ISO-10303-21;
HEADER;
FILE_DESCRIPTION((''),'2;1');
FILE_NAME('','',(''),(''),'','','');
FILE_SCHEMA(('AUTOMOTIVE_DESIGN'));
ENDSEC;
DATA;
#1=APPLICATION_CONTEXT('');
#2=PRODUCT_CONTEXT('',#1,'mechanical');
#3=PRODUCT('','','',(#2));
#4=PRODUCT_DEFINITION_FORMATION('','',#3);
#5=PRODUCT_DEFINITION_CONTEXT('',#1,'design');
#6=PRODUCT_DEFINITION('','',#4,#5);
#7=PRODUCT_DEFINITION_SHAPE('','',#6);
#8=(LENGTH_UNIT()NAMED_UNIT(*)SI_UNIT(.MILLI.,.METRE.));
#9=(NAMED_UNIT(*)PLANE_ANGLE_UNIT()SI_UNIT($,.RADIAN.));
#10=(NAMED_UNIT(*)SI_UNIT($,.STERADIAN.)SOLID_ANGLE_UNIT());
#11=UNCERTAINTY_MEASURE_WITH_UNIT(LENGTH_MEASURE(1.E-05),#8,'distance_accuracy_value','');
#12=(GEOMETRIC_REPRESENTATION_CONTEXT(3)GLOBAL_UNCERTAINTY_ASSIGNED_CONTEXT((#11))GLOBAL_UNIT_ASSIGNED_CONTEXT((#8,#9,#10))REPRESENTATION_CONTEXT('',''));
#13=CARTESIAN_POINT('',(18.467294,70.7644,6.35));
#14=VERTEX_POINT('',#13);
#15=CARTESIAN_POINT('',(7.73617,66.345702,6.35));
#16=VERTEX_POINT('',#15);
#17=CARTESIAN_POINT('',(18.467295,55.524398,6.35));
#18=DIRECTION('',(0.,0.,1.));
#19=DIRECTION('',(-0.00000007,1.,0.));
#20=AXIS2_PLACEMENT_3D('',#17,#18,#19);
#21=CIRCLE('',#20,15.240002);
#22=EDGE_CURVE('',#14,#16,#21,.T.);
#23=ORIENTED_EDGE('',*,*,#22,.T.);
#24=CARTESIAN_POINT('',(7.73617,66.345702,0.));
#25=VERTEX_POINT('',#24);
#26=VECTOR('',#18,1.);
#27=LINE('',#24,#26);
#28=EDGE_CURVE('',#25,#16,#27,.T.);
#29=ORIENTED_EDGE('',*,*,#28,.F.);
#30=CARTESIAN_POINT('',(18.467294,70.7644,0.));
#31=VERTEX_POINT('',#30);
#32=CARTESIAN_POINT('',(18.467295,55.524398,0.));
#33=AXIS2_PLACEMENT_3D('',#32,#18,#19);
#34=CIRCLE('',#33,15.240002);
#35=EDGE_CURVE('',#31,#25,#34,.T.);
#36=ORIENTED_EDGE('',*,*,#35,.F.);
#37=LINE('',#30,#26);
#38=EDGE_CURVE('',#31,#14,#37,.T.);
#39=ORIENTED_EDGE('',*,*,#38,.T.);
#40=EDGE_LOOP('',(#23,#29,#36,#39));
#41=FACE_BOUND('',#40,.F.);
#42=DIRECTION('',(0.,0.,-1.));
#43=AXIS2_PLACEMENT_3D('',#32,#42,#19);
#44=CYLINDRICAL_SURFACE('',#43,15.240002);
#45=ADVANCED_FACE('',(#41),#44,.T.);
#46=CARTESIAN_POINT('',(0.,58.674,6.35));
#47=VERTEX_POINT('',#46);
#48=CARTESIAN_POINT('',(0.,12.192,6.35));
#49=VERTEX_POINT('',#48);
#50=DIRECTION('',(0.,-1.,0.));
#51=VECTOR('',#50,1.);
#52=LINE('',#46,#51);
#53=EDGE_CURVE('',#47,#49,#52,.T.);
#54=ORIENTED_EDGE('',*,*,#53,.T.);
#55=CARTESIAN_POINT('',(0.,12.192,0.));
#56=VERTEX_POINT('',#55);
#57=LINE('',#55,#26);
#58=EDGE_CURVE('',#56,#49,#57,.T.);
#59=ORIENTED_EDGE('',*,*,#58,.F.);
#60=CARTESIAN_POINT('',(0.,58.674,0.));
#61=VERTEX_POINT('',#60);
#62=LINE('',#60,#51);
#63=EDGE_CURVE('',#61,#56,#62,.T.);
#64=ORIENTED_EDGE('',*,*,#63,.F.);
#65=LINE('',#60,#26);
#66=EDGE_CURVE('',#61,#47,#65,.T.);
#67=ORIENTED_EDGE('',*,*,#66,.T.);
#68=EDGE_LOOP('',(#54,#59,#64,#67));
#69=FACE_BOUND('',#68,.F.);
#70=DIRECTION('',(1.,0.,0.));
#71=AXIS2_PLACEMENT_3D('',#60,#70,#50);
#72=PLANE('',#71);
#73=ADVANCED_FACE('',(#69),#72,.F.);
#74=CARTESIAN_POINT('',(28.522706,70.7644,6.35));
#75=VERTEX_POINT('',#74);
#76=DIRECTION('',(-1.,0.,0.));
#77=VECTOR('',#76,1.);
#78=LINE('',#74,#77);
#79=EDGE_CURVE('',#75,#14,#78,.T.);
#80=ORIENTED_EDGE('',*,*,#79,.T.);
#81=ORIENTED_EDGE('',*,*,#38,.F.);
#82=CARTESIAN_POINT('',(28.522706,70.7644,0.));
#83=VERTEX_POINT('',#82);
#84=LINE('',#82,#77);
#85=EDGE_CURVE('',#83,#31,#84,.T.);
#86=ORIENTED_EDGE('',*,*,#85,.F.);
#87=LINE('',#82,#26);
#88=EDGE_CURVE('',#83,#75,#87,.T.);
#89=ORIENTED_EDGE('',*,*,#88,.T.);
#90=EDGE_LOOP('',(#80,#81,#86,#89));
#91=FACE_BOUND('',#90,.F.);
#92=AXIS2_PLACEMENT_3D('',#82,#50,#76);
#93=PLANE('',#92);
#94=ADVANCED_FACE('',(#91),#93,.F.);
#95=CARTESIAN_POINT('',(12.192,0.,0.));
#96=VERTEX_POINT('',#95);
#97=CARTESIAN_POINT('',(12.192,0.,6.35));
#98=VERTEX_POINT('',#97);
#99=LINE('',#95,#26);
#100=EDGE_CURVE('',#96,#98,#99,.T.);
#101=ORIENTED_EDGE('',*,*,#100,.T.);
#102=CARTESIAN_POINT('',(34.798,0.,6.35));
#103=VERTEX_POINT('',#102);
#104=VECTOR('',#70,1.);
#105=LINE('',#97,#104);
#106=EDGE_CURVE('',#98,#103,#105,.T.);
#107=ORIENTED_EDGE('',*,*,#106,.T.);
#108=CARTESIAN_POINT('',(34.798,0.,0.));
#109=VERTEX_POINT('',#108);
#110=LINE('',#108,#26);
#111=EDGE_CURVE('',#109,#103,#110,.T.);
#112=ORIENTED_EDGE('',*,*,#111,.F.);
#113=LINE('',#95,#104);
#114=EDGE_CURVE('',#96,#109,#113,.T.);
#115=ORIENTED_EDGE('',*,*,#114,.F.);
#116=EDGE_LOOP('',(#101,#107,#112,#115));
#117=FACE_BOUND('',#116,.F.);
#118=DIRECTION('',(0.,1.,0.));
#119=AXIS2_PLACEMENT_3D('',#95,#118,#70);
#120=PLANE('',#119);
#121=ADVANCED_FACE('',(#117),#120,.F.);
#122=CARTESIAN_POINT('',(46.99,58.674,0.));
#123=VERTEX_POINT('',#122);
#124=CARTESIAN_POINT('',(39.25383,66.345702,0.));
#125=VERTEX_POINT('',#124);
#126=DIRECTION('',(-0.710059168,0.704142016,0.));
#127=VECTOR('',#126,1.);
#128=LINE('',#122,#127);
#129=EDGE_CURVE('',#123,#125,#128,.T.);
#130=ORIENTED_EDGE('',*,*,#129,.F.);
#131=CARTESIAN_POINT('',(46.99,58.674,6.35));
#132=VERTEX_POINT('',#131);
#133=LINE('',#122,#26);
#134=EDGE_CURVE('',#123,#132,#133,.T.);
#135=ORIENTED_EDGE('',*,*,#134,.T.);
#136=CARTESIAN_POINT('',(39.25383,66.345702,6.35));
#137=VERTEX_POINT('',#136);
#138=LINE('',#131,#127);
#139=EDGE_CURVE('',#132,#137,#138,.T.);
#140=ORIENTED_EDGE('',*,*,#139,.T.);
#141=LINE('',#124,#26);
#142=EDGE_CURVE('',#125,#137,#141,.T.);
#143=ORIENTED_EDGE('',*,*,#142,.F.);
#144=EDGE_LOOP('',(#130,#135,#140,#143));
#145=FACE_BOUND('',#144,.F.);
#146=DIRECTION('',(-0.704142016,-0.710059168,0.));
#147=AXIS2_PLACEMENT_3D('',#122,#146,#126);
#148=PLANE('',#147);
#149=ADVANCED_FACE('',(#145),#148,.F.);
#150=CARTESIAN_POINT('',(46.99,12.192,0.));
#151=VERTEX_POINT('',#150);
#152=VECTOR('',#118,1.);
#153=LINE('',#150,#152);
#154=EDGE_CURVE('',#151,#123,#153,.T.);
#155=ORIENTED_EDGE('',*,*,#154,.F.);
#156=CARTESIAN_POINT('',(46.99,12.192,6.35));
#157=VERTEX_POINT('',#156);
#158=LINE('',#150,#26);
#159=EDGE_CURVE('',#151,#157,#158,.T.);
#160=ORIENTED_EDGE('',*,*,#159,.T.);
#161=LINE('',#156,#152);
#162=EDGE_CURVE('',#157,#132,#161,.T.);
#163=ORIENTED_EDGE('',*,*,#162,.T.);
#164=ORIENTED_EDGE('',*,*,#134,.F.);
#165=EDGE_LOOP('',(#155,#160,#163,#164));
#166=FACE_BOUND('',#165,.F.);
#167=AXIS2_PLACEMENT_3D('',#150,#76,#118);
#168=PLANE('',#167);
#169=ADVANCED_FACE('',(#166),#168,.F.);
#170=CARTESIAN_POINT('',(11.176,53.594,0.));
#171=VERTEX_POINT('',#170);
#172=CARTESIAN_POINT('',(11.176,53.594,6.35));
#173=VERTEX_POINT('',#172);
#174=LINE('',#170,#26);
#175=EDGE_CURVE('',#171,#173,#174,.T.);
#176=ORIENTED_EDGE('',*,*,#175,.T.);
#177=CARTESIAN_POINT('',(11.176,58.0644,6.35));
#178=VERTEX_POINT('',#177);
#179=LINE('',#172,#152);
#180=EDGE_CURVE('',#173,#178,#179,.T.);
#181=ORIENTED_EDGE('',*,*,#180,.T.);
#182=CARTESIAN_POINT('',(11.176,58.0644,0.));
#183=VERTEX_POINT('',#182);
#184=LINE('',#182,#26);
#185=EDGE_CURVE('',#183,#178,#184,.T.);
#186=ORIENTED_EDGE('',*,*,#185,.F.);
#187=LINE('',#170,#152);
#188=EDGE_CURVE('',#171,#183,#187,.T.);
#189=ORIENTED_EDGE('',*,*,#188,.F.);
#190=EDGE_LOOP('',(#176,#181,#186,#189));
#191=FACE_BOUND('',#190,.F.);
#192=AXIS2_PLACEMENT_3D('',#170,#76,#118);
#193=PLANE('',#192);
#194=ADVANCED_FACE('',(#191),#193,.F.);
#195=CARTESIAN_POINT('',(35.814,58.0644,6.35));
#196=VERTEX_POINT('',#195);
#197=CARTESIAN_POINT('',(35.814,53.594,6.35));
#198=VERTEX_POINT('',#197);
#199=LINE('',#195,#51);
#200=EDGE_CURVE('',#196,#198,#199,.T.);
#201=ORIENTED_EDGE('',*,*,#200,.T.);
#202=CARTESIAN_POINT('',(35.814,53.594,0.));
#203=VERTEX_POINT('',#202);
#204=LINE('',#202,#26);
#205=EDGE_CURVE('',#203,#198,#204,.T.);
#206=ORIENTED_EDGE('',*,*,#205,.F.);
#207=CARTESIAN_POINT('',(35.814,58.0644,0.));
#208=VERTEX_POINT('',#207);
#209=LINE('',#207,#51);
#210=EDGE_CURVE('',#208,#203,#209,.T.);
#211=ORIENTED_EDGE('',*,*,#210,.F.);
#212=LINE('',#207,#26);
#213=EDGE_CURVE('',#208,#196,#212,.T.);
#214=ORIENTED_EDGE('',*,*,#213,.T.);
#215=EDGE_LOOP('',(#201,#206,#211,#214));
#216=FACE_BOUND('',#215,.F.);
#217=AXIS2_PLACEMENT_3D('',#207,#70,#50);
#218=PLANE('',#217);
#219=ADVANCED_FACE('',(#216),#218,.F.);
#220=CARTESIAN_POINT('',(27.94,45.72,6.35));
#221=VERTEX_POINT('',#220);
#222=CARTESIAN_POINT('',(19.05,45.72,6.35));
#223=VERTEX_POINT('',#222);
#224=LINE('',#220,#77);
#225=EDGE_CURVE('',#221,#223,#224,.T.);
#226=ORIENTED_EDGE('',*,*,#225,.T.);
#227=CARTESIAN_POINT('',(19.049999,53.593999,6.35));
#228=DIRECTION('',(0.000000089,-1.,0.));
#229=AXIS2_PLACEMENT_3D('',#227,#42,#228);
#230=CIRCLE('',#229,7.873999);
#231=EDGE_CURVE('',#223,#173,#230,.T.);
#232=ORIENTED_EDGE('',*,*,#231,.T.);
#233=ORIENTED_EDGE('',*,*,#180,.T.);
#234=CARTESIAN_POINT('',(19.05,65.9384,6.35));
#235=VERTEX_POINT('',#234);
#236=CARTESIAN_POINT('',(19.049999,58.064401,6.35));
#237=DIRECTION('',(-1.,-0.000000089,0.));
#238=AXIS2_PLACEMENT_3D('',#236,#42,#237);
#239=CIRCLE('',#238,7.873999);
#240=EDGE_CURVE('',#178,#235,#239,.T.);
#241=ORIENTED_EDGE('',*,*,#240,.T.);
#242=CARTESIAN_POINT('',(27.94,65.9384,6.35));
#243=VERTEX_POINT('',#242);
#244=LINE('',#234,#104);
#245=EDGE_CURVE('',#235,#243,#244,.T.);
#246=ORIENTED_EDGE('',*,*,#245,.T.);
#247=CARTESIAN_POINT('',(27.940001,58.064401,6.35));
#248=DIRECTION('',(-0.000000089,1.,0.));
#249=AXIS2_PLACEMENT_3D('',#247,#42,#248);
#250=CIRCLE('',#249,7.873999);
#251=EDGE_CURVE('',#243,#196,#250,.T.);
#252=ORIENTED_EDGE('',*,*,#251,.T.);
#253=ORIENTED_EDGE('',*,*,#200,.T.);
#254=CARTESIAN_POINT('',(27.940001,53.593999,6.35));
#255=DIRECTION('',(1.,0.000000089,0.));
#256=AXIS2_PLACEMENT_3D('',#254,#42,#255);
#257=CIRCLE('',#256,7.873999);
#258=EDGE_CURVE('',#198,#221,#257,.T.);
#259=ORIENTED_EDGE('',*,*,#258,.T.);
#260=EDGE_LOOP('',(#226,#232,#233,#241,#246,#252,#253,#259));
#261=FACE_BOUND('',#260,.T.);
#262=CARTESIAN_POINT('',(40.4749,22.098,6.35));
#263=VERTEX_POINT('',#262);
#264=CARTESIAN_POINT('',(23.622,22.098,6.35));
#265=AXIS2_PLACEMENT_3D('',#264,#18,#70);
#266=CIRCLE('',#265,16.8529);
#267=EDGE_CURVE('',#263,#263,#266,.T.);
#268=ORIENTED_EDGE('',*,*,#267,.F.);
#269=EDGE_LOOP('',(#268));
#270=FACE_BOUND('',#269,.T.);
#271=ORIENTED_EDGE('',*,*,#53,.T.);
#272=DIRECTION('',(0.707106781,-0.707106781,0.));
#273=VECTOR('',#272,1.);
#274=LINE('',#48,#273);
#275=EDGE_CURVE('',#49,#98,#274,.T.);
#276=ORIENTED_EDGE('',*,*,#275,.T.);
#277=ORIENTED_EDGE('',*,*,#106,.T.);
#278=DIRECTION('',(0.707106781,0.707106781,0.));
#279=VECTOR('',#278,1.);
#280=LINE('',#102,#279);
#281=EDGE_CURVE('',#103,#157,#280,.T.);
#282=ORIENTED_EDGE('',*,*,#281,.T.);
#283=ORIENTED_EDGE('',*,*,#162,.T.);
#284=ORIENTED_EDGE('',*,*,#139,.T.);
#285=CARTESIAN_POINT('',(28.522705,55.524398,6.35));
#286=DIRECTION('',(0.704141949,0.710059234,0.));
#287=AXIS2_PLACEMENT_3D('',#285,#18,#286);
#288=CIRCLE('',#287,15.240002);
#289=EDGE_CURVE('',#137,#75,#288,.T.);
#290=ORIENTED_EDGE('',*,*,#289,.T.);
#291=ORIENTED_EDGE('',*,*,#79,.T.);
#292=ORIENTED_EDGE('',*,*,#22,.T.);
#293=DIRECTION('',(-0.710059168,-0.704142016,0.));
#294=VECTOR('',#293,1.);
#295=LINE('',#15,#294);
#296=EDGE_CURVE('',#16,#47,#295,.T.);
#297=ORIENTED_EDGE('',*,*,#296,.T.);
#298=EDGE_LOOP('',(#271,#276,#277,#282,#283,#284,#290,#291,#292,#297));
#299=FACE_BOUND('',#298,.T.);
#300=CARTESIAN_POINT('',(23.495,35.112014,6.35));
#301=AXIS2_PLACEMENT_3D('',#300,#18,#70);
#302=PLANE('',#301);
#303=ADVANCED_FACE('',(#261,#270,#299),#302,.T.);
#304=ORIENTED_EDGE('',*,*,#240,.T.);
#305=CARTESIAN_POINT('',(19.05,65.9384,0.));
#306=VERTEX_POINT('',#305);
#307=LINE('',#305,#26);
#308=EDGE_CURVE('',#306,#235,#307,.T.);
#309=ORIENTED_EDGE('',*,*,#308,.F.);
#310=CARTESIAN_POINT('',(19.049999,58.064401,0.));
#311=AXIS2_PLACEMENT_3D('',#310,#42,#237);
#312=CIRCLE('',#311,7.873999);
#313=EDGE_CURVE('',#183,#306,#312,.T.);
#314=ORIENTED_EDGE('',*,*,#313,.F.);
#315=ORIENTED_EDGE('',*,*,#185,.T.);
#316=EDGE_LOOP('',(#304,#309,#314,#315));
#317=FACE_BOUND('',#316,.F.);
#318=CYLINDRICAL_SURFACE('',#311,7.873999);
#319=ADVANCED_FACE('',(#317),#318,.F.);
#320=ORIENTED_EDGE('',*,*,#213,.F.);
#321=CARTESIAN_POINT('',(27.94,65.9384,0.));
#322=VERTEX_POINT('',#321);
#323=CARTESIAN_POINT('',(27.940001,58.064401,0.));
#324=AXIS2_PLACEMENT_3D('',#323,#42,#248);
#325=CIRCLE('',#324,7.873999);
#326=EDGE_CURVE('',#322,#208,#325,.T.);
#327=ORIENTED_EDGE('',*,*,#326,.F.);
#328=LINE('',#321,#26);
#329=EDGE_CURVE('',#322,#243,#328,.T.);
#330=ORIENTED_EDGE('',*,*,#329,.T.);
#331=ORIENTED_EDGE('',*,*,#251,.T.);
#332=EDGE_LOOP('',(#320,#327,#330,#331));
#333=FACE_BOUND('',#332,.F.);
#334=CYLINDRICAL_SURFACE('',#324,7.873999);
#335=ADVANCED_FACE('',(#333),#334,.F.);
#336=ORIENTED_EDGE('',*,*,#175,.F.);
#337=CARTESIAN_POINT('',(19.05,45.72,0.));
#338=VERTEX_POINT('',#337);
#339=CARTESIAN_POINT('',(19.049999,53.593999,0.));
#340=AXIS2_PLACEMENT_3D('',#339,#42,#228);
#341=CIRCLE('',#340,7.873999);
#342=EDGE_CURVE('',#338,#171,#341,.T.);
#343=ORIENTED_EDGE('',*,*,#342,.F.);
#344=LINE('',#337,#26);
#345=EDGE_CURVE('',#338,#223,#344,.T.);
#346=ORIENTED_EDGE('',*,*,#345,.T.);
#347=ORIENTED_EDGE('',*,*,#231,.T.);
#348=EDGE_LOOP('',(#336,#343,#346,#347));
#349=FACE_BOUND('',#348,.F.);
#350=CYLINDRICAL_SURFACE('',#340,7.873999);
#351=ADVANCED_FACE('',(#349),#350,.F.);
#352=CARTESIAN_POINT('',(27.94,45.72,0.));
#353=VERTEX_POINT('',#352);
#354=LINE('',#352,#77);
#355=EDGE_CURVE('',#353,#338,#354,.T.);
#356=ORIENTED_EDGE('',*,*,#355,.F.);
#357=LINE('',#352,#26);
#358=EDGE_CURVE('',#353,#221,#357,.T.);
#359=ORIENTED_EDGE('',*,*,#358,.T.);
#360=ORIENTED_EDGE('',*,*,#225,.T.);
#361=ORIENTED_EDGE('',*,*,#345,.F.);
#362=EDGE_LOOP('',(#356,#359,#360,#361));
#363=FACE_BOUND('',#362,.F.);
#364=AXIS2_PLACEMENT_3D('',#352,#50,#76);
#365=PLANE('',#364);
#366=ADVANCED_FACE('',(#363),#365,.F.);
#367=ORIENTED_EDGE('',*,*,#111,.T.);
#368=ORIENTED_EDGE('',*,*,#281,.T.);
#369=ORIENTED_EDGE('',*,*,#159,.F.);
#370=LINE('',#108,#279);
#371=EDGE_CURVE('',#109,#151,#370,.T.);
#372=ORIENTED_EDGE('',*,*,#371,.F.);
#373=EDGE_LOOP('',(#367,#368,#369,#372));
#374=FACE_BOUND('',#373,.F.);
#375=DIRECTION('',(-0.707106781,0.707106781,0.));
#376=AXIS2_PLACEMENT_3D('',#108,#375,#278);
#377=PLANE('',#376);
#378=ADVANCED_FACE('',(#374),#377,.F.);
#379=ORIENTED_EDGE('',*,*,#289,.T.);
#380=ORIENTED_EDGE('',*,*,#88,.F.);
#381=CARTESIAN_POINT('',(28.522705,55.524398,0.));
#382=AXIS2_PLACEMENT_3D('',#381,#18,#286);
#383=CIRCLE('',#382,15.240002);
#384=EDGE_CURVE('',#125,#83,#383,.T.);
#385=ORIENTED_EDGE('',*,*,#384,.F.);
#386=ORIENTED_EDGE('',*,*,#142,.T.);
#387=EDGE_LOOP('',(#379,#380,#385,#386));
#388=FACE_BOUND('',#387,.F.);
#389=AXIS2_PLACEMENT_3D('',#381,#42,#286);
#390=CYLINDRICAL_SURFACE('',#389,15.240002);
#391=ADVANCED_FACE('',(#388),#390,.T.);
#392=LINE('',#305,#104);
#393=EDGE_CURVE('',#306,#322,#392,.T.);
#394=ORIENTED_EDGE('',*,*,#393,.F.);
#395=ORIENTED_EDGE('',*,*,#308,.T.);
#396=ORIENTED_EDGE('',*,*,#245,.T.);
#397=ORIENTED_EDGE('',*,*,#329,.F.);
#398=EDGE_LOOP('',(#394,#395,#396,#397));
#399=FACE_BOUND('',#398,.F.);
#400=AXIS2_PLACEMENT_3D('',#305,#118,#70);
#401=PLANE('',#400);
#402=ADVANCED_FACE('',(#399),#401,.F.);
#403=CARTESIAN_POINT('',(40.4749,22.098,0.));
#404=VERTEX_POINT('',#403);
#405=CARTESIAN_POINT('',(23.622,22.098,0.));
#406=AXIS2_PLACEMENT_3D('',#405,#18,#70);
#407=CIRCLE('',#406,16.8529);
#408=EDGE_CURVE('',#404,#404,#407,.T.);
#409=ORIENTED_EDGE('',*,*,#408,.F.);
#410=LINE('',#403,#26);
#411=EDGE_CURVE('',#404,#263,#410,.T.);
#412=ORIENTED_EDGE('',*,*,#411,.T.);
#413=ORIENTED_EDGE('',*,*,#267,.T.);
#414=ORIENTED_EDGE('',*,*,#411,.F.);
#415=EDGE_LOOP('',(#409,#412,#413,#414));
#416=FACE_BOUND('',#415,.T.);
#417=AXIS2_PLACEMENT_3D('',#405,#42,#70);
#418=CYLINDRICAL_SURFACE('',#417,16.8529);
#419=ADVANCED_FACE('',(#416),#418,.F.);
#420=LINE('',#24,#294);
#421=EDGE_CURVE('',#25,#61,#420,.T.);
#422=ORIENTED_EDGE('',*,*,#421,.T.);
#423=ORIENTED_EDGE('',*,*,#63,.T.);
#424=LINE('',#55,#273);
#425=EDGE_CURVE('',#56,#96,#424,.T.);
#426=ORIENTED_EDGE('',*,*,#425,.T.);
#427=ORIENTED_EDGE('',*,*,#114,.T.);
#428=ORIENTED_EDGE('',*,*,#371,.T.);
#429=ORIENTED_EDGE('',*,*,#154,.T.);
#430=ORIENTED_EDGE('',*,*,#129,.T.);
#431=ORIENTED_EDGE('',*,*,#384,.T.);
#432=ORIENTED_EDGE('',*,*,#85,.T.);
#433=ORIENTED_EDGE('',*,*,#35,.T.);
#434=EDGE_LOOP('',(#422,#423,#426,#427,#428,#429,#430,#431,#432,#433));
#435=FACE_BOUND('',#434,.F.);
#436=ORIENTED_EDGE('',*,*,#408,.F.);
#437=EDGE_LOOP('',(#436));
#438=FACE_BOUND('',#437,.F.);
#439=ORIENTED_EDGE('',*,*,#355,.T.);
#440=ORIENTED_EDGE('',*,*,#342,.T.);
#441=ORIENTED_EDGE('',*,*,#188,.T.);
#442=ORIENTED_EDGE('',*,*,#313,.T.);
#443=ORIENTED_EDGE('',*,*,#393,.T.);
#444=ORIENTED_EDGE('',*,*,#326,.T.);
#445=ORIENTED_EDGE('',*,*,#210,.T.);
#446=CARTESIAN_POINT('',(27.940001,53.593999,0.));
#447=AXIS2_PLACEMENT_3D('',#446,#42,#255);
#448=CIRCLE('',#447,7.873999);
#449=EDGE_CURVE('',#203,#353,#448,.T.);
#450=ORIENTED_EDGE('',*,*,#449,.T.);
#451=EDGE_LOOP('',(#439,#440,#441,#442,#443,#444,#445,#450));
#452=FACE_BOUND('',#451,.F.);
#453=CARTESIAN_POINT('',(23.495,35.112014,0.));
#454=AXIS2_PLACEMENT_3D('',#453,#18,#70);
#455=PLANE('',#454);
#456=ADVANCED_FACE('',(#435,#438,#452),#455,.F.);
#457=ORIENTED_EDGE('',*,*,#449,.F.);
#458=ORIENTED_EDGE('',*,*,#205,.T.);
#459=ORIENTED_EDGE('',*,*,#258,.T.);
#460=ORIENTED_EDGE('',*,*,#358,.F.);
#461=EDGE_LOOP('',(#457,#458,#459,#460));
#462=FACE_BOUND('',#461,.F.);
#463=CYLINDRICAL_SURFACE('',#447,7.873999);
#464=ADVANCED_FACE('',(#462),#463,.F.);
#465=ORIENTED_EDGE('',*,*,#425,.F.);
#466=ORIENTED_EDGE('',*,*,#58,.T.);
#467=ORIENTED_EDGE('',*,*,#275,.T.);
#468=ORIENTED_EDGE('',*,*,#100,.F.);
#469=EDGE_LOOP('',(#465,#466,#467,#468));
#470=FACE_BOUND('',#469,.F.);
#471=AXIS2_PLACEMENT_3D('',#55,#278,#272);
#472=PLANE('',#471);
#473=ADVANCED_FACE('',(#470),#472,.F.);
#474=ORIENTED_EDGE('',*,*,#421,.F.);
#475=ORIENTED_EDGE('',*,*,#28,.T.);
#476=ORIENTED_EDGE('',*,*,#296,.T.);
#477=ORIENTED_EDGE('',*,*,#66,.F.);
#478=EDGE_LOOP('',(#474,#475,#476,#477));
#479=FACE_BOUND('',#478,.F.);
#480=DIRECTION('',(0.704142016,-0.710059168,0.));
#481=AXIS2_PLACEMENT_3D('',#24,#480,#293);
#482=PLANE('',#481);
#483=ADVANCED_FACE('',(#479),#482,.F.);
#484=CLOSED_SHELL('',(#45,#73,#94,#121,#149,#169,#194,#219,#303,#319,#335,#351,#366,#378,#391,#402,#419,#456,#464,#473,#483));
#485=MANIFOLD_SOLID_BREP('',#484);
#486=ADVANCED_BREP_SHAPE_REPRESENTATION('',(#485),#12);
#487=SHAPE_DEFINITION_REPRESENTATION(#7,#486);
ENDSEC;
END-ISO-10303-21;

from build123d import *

# Parameters (mm, degrees)
F0_R     = 16.8529
F1_DEPTH = 6.35


with BuildPart() as f1:
    # F0 (on Top) → F1 (new body)
    with BuildSketch(Plane.XY):
        with BuildLine():
            Line((0, 12.192), (12.192, 0))
            Line((12.192, 0), (34.798, 0))
            Line((34.798, 0), (46.99, 12.192))
            Line((46.99, 12.192), (46.99, 58.674))
            Line((46.99, 58.674), (39.25383, 66.345702))
            ThreePointArc((39.25383, 66.345702), (34.325333, 69.616494), (28.522706, 70.7644))
            Line((28.522706, 70.7644), (18.467294, 70.7644))
            ThreePointArc((18.467294, 70.7644), (12.664667, 69.616494), (7.73617, 66.345702))
            Line((7.73617, 66.345702), (0, 58.674))
            Line((0, 58.674), (0, 12.192))
        make_face()
        with Locations((23.622, 22.098)):
            Circle(F0_R, mode=Mode.SUBTRACT)
        with BuildLine():
            ThreePointArc((11.176, 58.0644), (13.482241, 63.632159), (19.05, 65.9384))
            Line((19.05, 65.9384), (27.94, 65.9384))
            ThreePointArc((27.94, 65.9384), (33.507759, 63.632159), (35.814, 58.0644))
            Line((35.814, 58.0644), (35.814, 53.594))
            ThreePointArc((35.814, 53.594), (33.507759, 48.026241), (27.94, 45.72))
            Line((27.94, 45.72), (19.05, 45.72))
            ThreePointArc((19.05, 45.72), (13.482241, 48.026241), (11.176, 53.594))
            Line((11.176, 53.594), (11.176, 58.0644))
        make_face(mode=Mode.SUBTRACT)
    extrude(amount=F1_DEPTH)


solid = f1.part
